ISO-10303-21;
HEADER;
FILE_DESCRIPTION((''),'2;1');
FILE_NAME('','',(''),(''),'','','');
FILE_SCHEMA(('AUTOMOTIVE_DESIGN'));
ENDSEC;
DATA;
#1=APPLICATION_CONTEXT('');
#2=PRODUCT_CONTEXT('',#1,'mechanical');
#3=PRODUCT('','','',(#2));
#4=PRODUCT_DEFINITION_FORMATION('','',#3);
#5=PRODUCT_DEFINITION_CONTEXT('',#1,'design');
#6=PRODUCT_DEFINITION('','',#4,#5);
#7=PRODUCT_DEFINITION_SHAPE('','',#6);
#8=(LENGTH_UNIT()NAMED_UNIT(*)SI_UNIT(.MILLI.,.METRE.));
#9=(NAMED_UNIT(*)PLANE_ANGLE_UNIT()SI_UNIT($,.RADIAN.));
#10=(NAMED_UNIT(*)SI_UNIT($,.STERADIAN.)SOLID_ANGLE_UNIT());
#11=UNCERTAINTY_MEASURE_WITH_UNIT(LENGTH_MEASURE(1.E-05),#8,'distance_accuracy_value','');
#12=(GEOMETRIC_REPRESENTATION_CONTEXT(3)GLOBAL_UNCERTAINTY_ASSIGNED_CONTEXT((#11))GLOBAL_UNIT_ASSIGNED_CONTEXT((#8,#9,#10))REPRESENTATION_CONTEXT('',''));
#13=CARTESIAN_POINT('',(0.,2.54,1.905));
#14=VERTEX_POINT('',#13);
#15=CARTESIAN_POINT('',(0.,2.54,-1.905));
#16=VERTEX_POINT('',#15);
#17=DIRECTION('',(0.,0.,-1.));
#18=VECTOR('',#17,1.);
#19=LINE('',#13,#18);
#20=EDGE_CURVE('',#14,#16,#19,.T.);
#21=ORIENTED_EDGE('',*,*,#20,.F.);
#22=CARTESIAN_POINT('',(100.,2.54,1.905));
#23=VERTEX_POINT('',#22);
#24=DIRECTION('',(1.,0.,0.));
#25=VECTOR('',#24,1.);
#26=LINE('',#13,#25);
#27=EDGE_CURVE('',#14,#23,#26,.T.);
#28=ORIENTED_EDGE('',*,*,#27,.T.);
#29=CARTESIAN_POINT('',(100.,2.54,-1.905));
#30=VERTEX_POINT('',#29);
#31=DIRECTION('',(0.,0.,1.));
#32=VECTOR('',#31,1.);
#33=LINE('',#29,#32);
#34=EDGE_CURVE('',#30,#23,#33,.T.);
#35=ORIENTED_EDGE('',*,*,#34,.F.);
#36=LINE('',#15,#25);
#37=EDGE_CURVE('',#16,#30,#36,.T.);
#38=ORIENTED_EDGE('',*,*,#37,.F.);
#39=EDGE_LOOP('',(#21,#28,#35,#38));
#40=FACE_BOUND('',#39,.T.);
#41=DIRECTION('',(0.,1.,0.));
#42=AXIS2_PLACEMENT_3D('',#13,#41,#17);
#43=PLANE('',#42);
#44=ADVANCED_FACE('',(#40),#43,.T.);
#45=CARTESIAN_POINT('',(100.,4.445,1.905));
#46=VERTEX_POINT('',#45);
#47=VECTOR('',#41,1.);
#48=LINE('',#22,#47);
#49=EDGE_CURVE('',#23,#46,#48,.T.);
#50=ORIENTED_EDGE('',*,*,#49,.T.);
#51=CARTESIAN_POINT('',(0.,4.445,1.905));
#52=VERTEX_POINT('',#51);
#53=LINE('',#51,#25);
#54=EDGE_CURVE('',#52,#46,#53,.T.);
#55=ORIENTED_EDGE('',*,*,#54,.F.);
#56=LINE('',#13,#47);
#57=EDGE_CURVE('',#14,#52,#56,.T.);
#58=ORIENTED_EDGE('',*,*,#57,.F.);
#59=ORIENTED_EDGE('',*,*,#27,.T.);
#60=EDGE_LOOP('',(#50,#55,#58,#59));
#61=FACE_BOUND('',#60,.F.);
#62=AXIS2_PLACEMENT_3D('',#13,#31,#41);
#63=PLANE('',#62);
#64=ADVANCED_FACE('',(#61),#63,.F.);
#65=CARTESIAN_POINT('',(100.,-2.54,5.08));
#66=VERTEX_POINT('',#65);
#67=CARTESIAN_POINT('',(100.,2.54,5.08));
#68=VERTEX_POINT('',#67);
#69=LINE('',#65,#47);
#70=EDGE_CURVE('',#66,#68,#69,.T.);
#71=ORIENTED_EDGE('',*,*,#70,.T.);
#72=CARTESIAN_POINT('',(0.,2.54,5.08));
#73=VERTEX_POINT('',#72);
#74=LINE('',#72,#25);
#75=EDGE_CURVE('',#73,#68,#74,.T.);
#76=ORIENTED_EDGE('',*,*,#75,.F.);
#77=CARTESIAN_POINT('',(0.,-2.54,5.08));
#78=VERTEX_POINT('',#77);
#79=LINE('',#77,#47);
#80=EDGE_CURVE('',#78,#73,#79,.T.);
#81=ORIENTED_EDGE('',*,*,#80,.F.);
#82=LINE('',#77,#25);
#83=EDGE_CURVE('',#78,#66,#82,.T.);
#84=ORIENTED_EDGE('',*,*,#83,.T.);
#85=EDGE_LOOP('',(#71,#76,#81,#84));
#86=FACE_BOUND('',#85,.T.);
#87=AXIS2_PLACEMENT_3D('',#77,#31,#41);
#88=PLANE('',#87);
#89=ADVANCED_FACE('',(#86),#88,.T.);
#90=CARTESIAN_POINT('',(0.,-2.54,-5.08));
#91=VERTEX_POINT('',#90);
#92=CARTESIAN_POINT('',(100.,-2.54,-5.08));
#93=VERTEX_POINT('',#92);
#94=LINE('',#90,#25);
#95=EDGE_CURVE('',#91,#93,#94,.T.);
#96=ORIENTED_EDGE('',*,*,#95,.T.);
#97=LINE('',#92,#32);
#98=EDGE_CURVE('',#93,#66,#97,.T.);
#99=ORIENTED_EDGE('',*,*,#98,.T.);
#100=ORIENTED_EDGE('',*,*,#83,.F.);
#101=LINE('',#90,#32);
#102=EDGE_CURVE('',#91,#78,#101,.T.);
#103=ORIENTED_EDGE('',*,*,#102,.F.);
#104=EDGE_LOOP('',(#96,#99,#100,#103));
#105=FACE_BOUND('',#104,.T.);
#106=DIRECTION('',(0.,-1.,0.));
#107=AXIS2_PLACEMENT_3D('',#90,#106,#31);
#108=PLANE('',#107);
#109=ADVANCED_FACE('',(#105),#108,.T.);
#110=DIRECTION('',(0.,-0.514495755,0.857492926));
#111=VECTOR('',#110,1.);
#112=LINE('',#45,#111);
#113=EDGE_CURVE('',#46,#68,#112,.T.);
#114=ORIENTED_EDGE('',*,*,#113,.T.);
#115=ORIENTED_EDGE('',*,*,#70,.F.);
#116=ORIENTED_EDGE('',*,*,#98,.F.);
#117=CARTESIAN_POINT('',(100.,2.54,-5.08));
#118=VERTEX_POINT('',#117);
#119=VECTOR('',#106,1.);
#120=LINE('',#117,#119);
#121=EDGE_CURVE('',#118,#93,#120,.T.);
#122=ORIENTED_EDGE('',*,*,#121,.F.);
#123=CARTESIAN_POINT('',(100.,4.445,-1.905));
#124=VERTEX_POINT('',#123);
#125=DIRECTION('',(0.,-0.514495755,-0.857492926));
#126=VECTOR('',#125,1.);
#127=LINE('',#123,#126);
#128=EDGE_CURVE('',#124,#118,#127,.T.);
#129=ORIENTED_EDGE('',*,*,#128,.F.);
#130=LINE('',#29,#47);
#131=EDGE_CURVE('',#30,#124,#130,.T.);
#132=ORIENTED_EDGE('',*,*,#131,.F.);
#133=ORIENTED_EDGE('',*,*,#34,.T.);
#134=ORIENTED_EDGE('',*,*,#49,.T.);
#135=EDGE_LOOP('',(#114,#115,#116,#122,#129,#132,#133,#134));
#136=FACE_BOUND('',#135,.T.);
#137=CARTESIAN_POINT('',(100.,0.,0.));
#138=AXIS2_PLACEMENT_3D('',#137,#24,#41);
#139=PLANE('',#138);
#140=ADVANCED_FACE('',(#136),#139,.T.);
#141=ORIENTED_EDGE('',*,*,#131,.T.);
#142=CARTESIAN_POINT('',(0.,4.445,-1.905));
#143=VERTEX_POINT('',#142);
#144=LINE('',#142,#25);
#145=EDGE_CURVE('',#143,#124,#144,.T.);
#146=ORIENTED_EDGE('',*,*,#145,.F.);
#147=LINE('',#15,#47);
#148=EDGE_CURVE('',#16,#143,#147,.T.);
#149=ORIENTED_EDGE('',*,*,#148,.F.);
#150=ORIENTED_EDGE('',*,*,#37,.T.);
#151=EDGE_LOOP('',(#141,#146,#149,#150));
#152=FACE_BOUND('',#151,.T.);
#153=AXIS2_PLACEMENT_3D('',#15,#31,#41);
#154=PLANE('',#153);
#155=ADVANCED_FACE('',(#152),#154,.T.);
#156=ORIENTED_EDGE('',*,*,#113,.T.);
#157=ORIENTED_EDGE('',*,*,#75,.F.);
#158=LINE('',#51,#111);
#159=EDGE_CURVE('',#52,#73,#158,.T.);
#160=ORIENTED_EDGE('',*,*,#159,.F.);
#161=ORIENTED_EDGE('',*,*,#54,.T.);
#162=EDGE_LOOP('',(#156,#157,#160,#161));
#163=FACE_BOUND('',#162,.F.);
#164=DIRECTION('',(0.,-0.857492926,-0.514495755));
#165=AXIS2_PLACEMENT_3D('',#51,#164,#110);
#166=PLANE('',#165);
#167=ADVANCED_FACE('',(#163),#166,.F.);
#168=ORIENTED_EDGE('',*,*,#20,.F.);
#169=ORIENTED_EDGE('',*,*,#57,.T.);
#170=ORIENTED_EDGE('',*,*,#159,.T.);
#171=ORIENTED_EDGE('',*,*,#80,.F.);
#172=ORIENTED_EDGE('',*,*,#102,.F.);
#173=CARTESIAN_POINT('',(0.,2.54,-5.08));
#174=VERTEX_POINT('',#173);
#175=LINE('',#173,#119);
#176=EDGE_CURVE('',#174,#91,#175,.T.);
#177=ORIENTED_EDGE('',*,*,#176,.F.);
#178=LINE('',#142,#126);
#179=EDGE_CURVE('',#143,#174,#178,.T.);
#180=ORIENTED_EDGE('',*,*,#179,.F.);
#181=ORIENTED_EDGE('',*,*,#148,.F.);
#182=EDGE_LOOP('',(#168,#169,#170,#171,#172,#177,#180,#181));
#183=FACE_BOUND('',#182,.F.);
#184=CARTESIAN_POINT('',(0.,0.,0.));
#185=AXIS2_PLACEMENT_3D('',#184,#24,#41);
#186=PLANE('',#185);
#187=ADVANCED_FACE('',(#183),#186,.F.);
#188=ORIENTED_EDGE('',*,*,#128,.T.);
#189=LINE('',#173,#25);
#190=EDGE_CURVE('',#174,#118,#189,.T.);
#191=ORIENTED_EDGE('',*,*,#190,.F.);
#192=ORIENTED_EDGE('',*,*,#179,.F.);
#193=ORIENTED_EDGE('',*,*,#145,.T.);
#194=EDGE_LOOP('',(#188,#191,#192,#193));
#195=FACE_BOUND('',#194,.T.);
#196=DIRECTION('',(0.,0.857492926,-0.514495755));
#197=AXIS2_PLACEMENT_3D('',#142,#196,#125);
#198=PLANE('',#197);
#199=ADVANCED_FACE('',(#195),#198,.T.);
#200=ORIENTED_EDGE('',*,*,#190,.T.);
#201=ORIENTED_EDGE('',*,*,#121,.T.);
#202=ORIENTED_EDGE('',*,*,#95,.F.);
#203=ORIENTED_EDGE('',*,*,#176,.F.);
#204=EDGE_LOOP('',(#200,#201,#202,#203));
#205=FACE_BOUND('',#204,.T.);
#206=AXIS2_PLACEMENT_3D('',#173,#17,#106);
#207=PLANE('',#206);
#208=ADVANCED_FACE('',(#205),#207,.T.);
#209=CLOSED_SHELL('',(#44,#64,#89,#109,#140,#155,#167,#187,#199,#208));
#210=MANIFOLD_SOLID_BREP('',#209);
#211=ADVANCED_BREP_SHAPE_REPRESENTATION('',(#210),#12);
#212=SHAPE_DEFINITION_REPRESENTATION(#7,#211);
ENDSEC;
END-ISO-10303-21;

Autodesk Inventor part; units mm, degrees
ref_plane "YZ Plane" through (0, 0, 0) normal (1, 0, 0) x (0, 1, 0)
ref_plane "XZ Plane" through (0, 0, 0) normal (0, 1, 0) x (-1, 0, 0)
ref_plane "XY Plane" through (0, 0, 0) normal (0, 0, 1) x (1, 0, 0)
sketch "Sketch1" plane through (0, 0, 0) normal (1, 0, 0) x (0, 1, 0)
  line L0 (-2.54, 5.08) -> (2.54, 5.08)
  line L1 (2.54, 5.08) -> (2.54, -5.08)
  line L2 (2.54, -5.08) -> (-2.54, -5.08)
  line L3 (-2.54, -5.08) -> (-2.54, 5.08)
  line L4 (-2.54, 5.08) -> (2.54, -5.08) construction
  line L5 (2.54, 5.08) -> (-2.54, -5.08) construction
  line L6 (2.54, 0) -> (2.54, -1.905)
  line L7 (2.54, -1.905) -> (4.445, -1.905)
  line L8 (4.445, -1.905) -> (2.54, -5.08)
  line L9 (2.54, 0) -> (2.54, 1.905)
  line L10 (2.54, 1.905) -> (4.445, 1.905)
  line L11 (4.445, 1.905) -> (2.54, 5.08)
  point P0 (0, 0)
  dimension "d0" = 5.08
  dimension "d1" = 10.16
  dimension "d2" = 1.905
  dimension "d3" = 1.905
  dimension "d4" = 1.905
extrude "Extrusion1" add sketch "Sketch1" along normal blind 100
properties part number "Bed Rail Connecting Pin"
